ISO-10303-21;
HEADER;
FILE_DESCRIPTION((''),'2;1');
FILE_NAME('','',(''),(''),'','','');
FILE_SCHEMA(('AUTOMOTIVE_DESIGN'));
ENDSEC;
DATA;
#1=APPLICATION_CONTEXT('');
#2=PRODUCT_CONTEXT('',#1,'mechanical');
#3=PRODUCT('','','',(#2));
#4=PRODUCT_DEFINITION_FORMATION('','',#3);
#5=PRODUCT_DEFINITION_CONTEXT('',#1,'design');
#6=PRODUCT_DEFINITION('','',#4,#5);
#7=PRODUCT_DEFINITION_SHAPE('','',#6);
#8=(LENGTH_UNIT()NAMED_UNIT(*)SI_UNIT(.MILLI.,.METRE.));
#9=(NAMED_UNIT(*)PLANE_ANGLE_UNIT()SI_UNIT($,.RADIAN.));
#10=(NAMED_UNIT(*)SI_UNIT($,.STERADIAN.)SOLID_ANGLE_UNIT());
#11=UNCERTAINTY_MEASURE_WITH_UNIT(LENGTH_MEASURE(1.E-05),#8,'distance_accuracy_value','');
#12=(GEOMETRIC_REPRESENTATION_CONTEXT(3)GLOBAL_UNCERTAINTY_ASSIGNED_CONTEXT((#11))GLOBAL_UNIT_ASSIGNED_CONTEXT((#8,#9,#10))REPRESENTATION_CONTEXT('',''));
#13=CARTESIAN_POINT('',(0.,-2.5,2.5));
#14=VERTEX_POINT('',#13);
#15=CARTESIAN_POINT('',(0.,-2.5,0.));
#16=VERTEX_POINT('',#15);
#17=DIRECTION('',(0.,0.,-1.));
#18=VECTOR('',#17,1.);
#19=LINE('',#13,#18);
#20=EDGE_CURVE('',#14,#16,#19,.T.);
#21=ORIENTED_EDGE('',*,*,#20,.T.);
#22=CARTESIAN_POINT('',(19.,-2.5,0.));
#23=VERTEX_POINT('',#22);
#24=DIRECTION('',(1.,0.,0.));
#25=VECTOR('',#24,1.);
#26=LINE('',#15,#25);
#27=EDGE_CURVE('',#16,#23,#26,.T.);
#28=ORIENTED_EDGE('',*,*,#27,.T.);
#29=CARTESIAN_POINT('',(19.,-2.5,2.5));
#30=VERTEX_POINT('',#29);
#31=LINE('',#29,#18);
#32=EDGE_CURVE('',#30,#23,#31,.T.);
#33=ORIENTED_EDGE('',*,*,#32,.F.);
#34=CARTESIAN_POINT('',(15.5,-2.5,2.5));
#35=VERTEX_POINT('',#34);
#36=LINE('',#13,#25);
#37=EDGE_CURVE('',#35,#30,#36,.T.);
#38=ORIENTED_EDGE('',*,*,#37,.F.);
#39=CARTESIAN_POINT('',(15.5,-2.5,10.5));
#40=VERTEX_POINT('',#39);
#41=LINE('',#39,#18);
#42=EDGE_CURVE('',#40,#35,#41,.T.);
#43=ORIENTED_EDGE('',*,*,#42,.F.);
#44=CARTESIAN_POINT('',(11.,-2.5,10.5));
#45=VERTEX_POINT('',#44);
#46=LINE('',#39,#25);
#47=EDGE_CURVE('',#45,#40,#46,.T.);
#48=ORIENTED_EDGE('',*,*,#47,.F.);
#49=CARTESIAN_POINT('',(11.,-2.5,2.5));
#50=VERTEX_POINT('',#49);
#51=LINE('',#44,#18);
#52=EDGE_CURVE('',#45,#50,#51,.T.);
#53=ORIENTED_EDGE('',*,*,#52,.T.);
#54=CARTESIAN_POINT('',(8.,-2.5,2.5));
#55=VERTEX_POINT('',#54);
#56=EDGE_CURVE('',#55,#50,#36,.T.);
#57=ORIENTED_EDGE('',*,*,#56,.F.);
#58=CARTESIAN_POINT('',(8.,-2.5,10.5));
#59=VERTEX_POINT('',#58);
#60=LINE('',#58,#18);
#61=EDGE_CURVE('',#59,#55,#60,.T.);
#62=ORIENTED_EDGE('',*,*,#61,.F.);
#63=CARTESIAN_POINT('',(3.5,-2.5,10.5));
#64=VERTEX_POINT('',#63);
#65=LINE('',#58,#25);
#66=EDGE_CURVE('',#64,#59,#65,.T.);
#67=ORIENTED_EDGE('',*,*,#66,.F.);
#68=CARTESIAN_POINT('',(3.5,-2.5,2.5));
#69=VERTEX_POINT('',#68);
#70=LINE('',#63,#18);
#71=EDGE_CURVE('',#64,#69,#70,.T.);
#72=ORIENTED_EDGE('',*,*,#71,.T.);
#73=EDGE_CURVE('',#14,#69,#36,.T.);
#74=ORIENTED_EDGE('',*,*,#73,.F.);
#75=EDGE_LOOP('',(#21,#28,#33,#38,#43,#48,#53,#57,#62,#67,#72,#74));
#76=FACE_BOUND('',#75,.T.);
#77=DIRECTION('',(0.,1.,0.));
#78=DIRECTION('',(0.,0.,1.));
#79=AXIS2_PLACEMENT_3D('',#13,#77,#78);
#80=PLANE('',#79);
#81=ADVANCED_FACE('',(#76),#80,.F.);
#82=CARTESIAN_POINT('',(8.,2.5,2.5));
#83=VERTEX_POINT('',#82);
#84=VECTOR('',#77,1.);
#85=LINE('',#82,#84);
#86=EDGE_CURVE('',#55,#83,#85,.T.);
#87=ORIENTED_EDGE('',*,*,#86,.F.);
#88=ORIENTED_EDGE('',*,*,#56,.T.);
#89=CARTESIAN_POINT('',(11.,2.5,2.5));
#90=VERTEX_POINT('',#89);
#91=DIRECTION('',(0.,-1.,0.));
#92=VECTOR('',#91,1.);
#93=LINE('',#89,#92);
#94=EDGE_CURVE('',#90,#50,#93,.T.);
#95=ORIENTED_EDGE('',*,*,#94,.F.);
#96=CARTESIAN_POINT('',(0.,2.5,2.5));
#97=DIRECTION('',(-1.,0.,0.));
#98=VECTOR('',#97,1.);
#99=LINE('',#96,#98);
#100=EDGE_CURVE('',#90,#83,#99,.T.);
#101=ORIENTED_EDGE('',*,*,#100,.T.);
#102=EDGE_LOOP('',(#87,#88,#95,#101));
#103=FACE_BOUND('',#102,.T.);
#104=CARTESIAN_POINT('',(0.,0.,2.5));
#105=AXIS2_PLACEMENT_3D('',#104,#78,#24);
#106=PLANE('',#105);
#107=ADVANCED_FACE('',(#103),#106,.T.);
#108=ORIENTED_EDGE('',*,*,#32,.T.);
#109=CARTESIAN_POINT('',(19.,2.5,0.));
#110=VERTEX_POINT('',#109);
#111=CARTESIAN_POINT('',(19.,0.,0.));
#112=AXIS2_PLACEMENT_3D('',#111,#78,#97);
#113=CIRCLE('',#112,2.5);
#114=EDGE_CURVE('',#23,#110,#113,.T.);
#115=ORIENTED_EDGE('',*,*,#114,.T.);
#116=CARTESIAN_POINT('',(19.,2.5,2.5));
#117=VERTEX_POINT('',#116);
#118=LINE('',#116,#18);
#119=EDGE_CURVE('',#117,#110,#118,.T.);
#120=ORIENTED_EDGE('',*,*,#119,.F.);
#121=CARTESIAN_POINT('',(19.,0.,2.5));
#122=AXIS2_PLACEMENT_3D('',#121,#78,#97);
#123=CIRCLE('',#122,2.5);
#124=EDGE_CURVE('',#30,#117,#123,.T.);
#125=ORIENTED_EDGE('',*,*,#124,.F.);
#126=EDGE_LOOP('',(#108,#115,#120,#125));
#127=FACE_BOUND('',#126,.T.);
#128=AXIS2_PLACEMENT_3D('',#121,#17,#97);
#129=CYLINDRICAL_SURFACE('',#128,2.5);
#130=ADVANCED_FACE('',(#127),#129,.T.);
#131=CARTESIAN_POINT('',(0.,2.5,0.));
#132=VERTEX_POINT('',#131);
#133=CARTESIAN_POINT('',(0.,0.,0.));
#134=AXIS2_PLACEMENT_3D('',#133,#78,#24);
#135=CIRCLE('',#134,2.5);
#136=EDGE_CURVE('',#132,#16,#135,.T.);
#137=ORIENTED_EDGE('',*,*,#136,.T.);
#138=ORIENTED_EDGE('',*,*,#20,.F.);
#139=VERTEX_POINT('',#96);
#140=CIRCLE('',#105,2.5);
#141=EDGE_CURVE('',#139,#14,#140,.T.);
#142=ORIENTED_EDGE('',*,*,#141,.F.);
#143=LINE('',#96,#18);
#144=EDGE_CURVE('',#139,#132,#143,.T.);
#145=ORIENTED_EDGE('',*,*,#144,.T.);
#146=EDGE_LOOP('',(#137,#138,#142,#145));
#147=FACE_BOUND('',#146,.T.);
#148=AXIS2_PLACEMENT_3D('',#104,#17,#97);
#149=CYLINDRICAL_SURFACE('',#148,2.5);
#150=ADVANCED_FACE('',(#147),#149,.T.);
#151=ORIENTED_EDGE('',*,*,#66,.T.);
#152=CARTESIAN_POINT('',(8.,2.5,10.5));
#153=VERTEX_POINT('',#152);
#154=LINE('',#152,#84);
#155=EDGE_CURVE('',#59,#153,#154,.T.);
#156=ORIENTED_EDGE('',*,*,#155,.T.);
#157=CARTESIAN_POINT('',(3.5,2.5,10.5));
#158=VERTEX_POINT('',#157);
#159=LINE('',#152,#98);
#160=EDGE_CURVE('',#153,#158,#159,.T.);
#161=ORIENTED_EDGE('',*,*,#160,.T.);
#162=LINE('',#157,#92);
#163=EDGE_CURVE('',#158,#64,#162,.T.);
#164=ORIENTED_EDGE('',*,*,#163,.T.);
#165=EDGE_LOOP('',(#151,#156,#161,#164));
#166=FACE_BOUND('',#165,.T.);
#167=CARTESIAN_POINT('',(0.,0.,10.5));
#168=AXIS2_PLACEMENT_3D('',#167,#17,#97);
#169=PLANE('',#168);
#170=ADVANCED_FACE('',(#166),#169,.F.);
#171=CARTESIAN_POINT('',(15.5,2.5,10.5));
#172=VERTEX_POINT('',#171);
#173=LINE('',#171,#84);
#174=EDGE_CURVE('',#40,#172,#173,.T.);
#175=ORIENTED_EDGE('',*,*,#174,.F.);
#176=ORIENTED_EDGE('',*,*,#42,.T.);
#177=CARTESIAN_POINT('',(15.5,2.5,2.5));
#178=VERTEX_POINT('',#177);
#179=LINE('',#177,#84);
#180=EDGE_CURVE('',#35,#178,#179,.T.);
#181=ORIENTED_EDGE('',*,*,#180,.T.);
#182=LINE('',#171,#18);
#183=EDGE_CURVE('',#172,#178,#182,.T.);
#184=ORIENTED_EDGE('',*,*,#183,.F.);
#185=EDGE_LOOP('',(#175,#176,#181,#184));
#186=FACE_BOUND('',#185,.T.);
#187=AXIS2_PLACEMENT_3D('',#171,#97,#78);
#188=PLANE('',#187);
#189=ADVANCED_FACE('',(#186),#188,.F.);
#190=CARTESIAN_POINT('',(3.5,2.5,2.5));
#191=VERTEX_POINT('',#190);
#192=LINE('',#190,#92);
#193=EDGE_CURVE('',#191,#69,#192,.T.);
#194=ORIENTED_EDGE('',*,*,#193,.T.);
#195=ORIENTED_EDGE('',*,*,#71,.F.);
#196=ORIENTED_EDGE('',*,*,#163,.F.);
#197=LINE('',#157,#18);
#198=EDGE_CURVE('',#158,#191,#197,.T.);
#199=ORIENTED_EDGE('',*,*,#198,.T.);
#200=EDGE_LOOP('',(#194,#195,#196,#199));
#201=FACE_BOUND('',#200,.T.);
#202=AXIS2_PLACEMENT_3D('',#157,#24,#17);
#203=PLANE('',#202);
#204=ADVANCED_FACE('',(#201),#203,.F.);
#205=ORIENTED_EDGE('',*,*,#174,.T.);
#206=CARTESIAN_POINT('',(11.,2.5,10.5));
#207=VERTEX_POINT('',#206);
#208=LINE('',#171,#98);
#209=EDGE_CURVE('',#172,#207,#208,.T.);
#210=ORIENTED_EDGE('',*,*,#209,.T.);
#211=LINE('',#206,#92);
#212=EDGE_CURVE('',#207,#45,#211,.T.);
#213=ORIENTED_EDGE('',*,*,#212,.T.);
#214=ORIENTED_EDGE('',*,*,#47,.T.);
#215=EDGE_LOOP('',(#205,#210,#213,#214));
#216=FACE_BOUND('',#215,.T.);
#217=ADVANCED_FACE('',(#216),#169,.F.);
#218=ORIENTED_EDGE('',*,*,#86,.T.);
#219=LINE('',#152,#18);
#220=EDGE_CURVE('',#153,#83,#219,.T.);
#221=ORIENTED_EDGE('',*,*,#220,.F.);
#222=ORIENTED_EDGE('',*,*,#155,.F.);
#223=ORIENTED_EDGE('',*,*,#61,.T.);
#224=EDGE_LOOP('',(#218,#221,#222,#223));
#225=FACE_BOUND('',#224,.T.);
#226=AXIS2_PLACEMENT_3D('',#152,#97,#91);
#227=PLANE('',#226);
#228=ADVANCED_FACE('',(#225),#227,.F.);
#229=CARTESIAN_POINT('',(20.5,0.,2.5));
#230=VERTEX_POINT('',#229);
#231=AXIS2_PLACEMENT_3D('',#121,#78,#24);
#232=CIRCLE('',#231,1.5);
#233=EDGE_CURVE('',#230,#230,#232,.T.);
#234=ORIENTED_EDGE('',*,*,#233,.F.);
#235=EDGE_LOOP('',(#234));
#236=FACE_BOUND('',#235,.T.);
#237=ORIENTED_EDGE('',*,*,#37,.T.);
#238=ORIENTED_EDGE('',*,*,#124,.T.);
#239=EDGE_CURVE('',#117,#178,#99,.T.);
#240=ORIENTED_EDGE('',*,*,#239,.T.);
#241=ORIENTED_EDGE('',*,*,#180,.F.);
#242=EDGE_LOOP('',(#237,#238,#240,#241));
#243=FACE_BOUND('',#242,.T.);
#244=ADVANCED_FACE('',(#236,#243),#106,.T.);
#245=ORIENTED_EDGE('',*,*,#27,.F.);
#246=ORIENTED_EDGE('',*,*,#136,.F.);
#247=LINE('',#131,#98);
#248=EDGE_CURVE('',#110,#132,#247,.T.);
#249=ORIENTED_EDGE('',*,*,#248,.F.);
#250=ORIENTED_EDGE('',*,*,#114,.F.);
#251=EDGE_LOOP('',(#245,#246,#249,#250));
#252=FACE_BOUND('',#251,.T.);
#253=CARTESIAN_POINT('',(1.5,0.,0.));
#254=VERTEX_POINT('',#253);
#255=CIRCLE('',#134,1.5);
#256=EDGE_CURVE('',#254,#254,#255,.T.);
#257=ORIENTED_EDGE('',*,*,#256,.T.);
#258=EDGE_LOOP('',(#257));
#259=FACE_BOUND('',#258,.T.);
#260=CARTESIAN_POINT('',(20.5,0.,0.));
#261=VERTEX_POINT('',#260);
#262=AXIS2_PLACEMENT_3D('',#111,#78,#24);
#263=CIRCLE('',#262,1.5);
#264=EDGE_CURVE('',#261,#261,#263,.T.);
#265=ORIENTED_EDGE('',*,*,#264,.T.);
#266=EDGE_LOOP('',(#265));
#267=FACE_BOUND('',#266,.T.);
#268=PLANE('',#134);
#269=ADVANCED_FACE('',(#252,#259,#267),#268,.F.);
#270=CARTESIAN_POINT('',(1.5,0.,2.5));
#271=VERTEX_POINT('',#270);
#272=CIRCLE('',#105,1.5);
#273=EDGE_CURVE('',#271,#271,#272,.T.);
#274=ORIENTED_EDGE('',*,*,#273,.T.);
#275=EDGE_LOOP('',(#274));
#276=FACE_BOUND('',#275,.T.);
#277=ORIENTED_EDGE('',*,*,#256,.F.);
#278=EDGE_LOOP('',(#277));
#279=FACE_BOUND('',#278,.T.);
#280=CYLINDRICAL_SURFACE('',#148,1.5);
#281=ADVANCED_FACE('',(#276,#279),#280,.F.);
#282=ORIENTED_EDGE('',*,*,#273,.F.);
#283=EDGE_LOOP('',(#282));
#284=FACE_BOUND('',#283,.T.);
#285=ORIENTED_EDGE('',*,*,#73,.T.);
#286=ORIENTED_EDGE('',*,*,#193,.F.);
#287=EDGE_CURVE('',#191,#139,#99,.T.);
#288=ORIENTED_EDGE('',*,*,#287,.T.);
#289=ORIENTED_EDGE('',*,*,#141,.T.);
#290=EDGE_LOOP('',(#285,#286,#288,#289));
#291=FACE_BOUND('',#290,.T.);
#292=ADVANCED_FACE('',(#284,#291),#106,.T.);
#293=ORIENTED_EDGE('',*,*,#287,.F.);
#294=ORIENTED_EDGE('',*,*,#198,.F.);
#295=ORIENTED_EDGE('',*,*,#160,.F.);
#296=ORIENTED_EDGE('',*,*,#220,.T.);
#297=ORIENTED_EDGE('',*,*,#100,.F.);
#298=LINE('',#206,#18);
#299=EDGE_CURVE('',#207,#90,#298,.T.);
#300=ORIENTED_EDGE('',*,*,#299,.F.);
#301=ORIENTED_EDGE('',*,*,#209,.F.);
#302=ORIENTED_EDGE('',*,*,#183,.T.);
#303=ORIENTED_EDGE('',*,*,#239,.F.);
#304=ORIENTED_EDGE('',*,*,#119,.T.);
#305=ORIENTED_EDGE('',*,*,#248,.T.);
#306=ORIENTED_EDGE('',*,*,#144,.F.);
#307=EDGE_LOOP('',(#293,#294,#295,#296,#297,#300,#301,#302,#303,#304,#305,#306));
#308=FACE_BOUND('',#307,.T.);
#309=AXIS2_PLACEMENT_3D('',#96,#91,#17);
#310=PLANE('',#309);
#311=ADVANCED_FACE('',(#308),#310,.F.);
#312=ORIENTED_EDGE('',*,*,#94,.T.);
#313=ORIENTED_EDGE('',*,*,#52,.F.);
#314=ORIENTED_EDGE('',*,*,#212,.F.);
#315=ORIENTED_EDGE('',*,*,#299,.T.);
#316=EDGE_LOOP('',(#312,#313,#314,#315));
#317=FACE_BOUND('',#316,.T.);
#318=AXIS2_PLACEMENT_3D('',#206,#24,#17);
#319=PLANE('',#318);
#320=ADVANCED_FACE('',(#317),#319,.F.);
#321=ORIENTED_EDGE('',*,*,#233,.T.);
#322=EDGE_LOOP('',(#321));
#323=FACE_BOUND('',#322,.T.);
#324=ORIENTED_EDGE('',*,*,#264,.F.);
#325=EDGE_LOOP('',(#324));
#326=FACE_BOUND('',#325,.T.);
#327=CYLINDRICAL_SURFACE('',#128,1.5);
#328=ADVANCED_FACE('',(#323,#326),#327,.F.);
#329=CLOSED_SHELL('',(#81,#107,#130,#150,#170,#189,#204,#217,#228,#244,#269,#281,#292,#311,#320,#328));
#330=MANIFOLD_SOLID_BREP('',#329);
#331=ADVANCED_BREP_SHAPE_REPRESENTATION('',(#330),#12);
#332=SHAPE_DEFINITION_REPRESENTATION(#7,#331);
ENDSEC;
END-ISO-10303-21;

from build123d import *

# Parameters (mm, degrees)
SKETCH_1_R      = 1.5
EXTRUDE_1_DEPTH = 2.5
SKETCH_2_W      = 4.5
SKETCH_2_H      = 5
EXTRUDE_2_DEPTH = 8


with BuildPart() as part:
    # ｽｹｯﾁ1 → ﾎﾞｽ - 押し出し1 (new body)
    with BuildSketch(Plane.XY):
        with BuildLine():
            Line((0, 2.5), (19, 2.5))
            ThreePointArc((19, 2.5), (21.5, 0), (19, -2.5))
            Line((19, -2.5), (0, -2.5))
            ThreePointArc((0, -2.5), (-2.5, 0), (0, 2.5))
        make_face()
        Circle(SKETCH_1_R, mode=Mode.SUBTRACT)
        with Locations((19, 0)):
            Circle(SKETCH_1_R, mode=Mode.SUBTRACT)
    extrude(amount=EXTRUDE_1_DEPTH)

    # ｽｹｯﾁ2 → ﾎﾞｽ - 押し出し2 (add)
    with BuildSketch(Plane.XY.offset(2.5)):
        with Locations((5.75, 0)):
            Rectangle(SKETCH_2_W, SKETCH_2_H)
        with Locations((13.25, 0)):
            Rectangle(SKETCH_2_W, SKETCH_2_H)
    extrude(amount=EXTRUDE_2_DEPTH)


solid = part.part
